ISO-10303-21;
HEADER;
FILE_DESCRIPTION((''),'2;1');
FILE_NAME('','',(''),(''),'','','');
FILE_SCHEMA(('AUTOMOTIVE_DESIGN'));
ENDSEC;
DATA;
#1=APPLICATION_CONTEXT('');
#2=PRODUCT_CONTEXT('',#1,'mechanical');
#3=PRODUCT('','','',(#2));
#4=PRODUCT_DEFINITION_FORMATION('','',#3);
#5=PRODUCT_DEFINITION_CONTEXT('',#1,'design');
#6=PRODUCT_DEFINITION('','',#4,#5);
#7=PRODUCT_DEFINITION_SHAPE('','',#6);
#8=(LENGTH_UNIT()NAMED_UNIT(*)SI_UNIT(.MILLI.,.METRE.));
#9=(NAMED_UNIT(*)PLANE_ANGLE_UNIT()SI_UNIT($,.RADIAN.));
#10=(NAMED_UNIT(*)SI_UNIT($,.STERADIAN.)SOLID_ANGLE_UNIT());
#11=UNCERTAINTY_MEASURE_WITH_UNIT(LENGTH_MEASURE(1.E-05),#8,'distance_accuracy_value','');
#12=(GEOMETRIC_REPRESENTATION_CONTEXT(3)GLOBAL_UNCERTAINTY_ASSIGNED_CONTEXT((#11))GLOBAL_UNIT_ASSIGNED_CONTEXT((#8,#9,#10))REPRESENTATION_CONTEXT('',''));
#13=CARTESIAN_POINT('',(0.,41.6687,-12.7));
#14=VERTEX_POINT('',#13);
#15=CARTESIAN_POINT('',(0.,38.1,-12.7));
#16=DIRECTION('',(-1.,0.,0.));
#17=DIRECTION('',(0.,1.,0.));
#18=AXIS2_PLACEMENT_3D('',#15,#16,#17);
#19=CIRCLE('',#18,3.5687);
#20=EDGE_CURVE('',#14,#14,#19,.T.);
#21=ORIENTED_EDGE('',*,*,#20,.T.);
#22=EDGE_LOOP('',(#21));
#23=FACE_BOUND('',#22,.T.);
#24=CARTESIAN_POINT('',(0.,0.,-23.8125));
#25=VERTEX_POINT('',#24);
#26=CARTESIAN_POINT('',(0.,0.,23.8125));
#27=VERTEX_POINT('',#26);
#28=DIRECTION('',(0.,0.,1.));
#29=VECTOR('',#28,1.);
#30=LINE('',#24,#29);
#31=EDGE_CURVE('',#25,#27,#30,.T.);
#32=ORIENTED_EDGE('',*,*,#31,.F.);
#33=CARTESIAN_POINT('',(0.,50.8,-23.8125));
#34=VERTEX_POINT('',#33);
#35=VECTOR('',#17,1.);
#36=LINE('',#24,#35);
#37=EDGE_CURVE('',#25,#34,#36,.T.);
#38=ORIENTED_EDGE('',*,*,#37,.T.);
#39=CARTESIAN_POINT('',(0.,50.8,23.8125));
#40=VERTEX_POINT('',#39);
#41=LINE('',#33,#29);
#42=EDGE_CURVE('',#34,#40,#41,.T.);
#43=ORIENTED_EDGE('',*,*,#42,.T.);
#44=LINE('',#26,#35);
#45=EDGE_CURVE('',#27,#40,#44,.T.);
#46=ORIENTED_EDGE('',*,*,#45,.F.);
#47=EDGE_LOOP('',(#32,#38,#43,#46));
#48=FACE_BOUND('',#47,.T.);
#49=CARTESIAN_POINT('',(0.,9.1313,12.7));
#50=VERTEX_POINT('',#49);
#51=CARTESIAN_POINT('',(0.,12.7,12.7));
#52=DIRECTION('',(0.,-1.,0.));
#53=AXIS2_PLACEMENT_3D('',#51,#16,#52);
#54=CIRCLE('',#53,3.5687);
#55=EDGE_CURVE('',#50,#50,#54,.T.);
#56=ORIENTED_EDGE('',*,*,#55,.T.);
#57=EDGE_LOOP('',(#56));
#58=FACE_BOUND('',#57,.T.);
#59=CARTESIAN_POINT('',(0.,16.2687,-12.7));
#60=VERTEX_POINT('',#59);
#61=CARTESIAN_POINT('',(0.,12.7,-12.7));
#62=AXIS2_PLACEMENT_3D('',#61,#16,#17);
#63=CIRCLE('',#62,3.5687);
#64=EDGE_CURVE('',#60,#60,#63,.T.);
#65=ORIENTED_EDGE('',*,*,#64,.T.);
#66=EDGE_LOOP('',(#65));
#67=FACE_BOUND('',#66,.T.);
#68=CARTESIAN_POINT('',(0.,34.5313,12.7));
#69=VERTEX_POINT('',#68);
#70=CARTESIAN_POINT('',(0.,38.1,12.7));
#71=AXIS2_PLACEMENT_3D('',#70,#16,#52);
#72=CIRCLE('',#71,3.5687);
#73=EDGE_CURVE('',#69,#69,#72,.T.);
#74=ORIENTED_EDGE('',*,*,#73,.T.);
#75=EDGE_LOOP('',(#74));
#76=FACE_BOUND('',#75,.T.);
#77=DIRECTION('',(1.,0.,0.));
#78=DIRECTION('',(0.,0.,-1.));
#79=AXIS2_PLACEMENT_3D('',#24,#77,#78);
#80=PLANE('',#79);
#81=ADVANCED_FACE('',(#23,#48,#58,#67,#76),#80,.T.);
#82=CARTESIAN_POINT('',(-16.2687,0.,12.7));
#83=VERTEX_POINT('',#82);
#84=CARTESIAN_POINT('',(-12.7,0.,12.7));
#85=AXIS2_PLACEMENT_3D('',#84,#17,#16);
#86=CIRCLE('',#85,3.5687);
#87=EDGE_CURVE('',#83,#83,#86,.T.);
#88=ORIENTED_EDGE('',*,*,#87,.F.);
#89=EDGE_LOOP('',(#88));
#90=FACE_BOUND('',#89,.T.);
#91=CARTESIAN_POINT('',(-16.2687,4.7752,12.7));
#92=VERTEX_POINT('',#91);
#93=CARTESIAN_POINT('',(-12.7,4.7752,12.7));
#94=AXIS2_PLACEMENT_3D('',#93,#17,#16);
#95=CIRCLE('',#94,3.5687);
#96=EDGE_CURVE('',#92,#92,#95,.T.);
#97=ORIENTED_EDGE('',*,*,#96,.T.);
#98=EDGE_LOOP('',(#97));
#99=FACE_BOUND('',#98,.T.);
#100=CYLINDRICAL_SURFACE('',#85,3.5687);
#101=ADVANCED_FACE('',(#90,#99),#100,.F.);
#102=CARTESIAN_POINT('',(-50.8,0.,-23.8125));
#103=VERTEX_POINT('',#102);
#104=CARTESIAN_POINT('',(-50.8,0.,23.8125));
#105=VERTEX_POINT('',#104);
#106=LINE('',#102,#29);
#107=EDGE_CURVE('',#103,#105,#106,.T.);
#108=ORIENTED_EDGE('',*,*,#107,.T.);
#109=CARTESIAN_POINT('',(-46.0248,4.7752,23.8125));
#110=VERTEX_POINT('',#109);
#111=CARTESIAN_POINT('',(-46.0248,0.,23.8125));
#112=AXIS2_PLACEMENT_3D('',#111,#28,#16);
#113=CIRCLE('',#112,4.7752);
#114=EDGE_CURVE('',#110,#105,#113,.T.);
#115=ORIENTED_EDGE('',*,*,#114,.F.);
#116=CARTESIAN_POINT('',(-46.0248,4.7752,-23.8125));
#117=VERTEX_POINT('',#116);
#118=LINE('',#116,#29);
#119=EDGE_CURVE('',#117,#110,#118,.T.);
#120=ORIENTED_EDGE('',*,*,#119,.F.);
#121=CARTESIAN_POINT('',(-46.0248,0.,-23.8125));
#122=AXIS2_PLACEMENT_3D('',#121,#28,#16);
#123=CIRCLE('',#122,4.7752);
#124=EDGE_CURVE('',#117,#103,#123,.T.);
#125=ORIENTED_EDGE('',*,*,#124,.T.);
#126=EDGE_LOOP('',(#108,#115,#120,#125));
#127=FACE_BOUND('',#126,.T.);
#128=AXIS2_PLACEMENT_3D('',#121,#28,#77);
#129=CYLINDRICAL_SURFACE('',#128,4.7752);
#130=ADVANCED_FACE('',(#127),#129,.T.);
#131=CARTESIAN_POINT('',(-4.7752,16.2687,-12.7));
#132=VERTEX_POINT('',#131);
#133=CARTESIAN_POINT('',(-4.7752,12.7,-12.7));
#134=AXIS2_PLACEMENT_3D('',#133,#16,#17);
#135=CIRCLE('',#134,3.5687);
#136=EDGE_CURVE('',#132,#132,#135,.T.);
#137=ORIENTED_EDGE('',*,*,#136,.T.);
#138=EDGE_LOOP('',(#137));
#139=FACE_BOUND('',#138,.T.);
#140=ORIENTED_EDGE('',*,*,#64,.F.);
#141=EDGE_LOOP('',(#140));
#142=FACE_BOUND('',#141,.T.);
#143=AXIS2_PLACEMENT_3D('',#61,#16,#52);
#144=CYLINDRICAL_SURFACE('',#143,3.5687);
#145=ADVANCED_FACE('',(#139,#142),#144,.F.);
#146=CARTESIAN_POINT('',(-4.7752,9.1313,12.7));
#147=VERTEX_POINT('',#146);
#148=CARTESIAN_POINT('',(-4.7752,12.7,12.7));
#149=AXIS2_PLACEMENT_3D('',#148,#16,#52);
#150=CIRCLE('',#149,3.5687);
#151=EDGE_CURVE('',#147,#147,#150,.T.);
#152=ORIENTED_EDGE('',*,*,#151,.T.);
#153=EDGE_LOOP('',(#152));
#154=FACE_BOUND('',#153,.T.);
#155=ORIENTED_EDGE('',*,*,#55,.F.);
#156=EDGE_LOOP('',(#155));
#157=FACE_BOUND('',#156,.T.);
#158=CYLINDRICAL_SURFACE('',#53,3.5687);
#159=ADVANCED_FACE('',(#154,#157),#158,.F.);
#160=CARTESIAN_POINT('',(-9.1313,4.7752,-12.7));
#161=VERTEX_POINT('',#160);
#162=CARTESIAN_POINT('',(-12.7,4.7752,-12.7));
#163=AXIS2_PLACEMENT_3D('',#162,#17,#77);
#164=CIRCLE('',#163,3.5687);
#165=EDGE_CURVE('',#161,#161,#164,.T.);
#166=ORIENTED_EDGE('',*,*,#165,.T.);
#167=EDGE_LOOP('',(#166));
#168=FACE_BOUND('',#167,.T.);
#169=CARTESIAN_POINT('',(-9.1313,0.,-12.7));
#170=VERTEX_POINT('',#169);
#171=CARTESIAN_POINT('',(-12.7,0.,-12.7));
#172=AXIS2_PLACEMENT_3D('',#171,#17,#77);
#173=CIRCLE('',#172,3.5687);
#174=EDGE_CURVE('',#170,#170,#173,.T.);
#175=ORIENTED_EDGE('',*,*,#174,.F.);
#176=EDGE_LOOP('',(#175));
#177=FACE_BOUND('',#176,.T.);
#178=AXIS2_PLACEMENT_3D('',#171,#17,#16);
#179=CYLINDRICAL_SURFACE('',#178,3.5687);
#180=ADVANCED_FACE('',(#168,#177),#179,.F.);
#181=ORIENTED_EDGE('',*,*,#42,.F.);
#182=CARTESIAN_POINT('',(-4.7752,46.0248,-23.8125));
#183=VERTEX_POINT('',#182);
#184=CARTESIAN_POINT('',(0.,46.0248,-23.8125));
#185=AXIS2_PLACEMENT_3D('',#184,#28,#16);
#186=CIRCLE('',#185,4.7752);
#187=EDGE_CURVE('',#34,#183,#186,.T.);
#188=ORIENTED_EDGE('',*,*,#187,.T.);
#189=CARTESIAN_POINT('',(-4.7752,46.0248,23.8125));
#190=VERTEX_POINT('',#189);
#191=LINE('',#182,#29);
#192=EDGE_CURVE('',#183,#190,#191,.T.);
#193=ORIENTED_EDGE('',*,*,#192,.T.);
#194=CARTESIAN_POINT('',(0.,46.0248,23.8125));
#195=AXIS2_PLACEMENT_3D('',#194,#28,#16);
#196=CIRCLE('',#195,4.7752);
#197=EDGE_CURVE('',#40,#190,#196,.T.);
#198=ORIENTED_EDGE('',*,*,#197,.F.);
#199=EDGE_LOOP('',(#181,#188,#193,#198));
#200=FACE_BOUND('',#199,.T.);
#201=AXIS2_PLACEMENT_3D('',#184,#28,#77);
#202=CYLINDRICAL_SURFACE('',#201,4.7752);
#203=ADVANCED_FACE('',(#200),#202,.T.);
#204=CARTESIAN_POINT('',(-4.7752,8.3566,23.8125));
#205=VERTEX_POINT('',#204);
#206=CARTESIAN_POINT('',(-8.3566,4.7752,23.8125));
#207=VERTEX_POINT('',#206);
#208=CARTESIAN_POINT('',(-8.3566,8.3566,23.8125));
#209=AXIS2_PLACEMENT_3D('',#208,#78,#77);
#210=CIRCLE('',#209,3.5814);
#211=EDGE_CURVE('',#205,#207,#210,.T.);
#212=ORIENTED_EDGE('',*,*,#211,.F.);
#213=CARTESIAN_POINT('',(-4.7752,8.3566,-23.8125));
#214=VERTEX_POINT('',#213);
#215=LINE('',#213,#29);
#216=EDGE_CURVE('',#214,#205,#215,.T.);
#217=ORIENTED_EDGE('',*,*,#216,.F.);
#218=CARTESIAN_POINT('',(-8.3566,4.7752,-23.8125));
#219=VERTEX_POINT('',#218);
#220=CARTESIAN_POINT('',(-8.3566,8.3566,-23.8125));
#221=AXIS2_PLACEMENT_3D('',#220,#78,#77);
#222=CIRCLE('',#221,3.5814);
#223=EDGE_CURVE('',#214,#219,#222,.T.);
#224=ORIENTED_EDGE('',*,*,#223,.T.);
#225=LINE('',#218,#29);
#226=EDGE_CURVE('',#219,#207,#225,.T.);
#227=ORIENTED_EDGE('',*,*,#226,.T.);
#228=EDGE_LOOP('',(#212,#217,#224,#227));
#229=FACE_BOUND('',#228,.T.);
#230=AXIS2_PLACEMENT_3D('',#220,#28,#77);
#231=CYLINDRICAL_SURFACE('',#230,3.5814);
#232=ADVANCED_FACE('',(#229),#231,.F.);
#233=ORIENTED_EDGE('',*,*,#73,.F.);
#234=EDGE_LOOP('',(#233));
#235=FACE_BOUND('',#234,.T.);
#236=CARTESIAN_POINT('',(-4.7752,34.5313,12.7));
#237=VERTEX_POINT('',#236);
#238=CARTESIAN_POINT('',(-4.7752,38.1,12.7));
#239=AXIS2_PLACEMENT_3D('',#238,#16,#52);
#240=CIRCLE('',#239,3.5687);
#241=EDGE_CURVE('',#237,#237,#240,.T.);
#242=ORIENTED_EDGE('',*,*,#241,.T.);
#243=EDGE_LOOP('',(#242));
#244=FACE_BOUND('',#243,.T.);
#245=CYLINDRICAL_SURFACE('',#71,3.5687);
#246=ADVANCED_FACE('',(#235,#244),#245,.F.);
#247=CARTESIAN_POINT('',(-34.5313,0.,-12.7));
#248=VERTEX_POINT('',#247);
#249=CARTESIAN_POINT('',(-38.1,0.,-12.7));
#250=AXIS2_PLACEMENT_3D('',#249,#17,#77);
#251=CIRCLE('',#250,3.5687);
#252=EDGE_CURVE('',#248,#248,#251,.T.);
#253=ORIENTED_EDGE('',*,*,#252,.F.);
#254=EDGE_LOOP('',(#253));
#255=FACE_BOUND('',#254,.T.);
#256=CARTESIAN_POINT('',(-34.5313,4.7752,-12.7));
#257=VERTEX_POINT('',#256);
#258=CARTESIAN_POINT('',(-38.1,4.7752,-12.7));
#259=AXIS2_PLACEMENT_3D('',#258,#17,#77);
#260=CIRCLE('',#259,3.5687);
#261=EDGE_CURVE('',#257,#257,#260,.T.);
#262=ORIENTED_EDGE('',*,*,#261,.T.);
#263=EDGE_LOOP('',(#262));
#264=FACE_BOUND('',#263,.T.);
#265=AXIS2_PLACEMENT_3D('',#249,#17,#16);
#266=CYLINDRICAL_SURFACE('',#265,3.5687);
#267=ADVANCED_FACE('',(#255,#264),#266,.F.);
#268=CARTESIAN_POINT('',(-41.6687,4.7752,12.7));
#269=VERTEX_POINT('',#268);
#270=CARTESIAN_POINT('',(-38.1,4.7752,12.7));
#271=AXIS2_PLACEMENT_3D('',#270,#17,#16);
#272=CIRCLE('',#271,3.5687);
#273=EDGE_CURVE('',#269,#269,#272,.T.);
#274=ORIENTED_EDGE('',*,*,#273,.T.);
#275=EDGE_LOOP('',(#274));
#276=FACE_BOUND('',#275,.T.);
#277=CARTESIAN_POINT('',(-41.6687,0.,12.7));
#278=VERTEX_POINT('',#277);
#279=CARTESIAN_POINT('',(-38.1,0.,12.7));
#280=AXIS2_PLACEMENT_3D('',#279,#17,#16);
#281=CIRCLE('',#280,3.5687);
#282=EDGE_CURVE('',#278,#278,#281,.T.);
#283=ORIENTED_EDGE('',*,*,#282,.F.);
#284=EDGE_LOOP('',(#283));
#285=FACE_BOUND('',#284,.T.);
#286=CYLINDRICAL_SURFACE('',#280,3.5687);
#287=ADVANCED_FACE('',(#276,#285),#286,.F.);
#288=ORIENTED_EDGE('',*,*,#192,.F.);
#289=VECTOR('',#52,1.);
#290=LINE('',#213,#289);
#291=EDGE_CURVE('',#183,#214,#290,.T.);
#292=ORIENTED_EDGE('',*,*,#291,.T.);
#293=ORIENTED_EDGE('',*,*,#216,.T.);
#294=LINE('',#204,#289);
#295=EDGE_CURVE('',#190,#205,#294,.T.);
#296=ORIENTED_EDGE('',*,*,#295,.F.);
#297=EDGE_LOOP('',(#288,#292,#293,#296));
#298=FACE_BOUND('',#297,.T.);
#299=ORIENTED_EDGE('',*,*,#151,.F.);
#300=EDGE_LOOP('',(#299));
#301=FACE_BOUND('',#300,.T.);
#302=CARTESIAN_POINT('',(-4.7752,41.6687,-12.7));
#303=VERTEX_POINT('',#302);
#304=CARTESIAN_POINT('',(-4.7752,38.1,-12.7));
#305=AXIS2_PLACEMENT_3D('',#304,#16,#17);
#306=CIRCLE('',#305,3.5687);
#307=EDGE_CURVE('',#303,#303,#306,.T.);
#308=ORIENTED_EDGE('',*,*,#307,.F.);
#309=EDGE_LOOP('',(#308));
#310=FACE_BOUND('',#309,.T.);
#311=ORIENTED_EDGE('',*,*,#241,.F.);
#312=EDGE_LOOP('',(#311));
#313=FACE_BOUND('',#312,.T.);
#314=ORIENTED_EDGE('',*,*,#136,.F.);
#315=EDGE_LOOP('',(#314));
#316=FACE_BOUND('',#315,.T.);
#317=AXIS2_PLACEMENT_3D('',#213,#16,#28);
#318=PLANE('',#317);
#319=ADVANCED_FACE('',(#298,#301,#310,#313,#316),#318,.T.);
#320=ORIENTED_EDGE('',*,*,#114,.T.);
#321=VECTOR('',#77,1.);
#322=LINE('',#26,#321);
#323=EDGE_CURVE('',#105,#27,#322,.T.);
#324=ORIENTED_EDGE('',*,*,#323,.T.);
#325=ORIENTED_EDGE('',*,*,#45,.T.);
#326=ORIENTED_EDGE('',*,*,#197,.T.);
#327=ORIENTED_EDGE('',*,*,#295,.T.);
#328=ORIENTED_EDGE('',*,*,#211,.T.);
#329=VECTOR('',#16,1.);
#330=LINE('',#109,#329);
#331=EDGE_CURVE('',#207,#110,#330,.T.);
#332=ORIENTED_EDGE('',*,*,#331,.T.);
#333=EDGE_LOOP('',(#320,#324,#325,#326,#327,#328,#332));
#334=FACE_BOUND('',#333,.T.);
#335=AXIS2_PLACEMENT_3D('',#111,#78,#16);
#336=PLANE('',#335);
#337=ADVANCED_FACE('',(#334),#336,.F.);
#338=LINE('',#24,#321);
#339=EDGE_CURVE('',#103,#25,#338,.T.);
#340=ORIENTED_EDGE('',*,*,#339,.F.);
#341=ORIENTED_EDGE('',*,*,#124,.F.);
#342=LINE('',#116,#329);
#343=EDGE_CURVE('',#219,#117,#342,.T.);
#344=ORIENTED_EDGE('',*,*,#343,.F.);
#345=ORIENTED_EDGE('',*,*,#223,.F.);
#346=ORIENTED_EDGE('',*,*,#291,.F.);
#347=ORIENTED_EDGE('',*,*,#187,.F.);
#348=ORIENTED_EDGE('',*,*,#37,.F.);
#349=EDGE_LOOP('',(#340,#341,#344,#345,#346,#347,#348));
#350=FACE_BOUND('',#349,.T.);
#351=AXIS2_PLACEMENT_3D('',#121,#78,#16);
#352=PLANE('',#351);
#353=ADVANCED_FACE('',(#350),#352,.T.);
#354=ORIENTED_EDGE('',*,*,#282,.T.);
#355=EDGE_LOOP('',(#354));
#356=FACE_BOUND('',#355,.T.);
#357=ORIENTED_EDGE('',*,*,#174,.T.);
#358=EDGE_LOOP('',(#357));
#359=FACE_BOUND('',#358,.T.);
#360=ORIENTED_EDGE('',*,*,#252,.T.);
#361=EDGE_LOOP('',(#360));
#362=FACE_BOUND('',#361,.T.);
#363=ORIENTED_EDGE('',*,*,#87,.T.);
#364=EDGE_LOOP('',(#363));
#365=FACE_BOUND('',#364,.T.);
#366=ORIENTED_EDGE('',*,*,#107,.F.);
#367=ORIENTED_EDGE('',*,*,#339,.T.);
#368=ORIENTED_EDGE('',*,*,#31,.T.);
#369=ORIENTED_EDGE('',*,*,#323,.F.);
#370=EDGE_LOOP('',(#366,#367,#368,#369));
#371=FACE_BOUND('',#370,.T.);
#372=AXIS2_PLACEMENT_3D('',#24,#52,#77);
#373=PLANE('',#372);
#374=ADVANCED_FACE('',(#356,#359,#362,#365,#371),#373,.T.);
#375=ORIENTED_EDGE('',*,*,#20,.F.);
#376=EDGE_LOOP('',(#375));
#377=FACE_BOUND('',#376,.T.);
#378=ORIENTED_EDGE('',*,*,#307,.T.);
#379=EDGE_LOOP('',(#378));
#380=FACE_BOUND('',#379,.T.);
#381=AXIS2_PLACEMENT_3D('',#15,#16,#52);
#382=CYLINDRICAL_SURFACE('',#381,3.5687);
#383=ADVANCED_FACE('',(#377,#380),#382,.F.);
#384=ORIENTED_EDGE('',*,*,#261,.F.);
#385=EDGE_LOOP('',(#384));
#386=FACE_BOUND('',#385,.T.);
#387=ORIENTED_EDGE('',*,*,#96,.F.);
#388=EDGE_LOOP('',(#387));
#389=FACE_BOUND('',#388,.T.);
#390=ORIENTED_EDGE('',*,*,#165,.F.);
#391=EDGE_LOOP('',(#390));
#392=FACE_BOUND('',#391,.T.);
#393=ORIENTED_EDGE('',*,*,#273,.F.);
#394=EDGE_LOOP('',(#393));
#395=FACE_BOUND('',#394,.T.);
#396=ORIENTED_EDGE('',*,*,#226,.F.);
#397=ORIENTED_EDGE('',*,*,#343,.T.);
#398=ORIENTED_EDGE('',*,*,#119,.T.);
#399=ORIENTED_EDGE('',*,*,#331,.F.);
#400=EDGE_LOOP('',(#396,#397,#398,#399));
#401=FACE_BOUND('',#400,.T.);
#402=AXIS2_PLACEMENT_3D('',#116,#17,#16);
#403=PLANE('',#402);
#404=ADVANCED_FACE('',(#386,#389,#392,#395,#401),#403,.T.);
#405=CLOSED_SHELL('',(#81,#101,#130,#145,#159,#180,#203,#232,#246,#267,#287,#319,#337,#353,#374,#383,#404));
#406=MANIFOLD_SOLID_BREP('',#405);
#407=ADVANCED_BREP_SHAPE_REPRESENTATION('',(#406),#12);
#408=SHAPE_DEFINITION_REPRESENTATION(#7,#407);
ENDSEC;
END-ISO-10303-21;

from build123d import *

# Parameters (mm, degrees)
EXTRUDE1_DEPTH     = 23.8125
SKETCH8_R          = 3.5687
CUT_EXTRUDE7_DEPTH = 73.566916507
SKETCH9_R          = 3.5687
CUT_EXTRUDE8_DEPTH = 73.566916507


with BuildPart() as part:
    # Sketch1 → Extrude1 (new, symmetric)
    with BuildSketch(Plane.XY):
        with BuildLine():
            Line((0, 0), (0, 50.8))
            ThreePointArc((0, 50.8), (-3.376576302, 49.401376302), (-4.7752, 46.0248))
            Line((-4.7752, 46.0248), (-4.7752, 8.3566))
            ThreePointArc((-4.7752, 8.3566), (-5.824167774, 5.824167774), (-8.3566, 4.7752))
            Line((-8.3566, 4.7752), (-46.0248, 4.7752))
            ThreePointArc((-46.0248, 4.7752), (-49.401376302, 3.376576302), (-50.8, 0))
            Line((-50.8, 0), (0, 0))
        make_face()
    extrude(amount=EXTRUDE1_DEPTH, both=True)

    # Sketch8 → Cut-Extrude7 (cut, through all)
    with BuildSketch(Plane(origin=(0, 4.7752, 0), x_dir=(1, 0, 0), z_dir=(0, 1, 0))):
        with Locations(Location((-38.1, -12.7, 0), (0, 0, 180))):
            Circle(SKETCH8_R)
        with Locations(Location((-12.7, -12.7, 0), (0, 0, 180))):
            Circle(SKETCH8_R)
        with Locations((-12.7, 12.7)):
            Circle(SKETCH8_R)
        with Locations((-38.1, 12.7)):
            Circle(SKETCH8_R)
    extrude(amount=-CUT_EXTRUDE7_DEPTH, mode=Mode.SUBTRACT)

    # Sketch9 → Cut-Extrude8 (cut, through all)
    with BuildSketch(Plane.ZY.offset(4.7752)):
        with Locations(Location((12.7, 12.7, 0), (0, 0, 270))):
            Circle(SKETCH9_R)
        with Locations(Location((12.7, 38.1, 0), (0, 0, 270))):
            Circle(SKETCH9_R)
        with Locations(Location((-12.7, 12.7, 0), (0, 0, 90))):
            Circle(SKETCH9_R)
        with Locations(Location((-12.7, 38.1, 0), (0, 0, 90))):
            Circle(SKETCH9_R)
    extrude(amount=-CUT_EXTRUDE8_DEPTH, mode=Mode.SUBTRACT)


solid = part.part
